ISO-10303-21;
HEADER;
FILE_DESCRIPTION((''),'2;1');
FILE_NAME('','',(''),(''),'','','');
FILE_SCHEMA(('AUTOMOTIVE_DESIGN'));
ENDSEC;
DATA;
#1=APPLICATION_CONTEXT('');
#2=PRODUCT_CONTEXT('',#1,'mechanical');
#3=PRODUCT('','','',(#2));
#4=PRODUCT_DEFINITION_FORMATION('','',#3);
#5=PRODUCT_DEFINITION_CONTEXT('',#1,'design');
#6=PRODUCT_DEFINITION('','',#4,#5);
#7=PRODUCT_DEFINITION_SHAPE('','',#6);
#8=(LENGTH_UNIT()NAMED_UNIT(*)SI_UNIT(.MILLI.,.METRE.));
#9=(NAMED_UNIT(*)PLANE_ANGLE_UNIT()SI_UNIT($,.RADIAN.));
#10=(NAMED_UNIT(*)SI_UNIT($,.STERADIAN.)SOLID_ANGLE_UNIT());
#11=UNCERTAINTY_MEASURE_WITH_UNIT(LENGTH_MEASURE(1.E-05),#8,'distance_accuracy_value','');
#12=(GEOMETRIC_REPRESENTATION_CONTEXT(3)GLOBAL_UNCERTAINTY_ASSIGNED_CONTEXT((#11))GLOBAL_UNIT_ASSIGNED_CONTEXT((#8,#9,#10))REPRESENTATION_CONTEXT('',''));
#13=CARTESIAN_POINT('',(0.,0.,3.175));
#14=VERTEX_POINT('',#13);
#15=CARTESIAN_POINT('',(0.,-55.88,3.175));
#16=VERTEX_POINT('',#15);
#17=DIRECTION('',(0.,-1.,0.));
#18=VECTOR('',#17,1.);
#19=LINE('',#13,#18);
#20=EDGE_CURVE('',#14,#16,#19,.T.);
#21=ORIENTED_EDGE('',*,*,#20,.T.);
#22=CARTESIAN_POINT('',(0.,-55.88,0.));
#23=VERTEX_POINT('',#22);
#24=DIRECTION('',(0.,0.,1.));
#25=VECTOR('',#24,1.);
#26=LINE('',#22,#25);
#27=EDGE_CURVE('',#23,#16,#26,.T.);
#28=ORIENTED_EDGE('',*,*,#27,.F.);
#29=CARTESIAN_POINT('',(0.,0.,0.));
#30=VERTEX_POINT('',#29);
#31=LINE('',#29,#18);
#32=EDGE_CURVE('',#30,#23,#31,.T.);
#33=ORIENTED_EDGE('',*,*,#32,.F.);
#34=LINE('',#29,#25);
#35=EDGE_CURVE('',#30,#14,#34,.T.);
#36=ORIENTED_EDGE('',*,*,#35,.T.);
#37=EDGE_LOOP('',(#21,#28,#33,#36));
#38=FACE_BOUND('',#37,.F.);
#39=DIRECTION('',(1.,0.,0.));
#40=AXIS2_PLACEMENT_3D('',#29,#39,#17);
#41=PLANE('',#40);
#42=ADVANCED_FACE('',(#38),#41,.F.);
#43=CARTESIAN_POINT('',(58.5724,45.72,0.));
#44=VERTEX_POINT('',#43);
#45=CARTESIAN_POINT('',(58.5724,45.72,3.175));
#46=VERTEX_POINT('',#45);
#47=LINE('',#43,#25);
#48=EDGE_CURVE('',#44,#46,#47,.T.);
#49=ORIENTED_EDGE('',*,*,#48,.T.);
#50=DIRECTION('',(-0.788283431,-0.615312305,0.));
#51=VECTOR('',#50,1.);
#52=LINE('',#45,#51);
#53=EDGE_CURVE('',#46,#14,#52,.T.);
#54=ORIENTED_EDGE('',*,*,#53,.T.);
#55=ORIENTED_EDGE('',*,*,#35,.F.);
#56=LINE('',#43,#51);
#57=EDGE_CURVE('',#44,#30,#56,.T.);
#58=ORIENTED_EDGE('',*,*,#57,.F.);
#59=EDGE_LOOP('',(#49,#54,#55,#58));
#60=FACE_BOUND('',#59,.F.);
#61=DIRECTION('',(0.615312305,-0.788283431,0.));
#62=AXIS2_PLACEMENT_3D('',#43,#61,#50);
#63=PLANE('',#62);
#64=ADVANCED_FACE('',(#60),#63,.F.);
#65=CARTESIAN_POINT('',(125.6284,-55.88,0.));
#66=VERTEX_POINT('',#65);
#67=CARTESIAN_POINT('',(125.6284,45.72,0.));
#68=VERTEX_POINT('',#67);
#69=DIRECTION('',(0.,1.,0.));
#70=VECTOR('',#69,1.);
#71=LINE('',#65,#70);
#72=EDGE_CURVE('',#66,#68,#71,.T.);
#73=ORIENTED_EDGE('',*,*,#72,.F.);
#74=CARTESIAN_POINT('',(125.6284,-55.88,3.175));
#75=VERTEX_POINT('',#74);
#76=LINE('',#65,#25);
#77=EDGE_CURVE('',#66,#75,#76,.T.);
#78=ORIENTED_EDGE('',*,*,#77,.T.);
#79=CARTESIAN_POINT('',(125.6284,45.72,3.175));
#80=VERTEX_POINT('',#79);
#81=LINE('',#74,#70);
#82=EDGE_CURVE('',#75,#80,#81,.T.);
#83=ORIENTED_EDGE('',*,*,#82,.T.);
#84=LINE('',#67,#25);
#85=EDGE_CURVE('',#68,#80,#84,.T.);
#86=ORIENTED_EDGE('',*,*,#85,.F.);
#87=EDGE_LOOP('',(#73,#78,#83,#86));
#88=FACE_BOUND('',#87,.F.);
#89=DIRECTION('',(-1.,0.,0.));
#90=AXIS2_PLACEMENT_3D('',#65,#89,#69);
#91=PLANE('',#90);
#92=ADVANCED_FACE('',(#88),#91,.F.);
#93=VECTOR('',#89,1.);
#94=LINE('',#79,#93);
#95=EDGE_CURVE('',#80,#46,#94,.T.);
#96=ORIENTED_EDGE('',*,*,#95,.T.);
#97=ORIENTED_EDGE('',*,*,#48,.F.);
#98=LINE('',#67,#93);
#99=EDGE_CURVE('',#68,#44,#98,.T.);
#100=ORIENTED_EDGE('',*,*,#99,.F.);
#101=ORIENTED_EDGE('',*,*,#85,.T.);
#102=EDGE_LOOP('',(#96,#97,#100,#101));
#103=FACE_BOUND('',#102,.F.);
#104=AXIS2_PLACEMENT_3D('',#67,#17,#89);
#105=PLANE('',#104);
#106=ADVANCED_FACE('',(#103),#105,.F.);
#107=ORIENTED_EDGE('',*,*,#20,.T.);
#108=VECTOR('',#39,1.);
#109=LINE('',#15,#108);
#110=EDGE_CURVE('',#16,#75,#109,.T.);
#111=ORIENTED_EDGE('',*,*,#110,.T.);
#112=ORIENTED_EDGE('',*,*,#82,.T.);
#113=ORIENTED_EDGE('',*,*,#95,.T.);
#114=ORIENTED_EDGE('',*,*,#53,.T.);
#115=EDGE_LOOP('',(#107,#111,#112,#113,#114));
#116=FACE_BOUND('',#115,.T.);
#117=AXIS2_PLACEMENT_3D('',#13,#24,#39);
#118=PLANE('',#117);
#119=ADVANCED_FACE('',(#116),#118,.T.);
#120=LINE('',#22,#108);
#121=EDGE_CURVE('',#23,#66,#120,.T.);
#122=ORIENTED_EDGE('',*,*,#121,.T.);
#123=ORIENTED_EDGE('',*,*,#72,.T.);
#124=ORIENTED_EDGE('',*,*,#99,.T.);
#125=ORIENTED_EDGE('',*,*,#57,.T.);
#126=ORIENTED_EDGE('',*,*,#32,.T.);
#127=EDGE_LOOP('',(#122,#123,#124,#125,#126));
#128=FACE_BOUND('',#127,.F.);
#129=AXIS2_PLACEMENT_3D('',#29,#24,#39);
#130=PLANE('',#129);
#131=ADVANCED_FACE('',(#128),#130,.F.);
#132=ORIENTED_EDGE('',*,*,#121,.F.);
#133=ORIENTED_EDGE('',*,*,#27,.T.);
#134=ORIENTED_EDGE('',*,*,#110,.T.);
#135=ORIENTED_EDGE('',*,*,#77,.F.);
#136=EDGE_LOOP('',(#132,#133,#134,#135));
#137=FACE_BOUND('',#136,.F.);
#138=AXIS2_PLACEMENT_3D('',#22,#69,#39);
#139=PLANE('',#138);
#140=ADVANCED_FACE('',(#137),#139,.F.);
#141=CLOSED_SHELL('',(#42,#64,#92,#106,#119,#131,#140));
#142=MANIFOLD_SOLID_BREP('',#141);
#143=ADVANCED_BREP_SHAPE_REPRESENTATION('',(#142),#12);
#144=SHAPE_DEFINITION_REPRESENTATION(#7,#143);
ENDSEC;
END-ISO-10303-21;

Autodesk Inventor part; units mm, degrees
ref_plane "YZ Plane" through (0, 0, 0) normal (1, 0, 0) x (0, 1, 0)
ref_plane "XZ Plane" through (0, 0, 0) normal (0, 1, 0) x (-1, 0, 0)
ref_plane "XY Plane" through (0, 0, 0) normal (0, 0, 1) x (1, 0, 0)
sketch "Sketch2" plane through (0, 0, 0) normal (0, 0, 1) x (1, 0, 0)
  line L0 (0, 0) -> (0, -55.88)
  line L1 (0, 0) -> (55.88, 0) construction
  line L2 (0, -55.88) -> (125.6284, -55.88)
  line L3 (125.6284, -55.88) -> (125.6284, 45.72)
  line L4 (125.6284, 45.72) -> (58.5724, 45.72)
  line L5 (58.5724, 45.72) -> (0, 0)
  dimension "d4" = 55.88
  dimension "d5" = 90
  dimension "d6" = 125.6284
  dimension "d7" = 101.6
  dimension "d8" = 90
  dimension "d9" = 67.056
  dimension "d10" = 90
extrude "Extrusion2" add sketch "Sketch2" along normal blind 3.175
properties part number "side plate" material "Aluminum 6061"
